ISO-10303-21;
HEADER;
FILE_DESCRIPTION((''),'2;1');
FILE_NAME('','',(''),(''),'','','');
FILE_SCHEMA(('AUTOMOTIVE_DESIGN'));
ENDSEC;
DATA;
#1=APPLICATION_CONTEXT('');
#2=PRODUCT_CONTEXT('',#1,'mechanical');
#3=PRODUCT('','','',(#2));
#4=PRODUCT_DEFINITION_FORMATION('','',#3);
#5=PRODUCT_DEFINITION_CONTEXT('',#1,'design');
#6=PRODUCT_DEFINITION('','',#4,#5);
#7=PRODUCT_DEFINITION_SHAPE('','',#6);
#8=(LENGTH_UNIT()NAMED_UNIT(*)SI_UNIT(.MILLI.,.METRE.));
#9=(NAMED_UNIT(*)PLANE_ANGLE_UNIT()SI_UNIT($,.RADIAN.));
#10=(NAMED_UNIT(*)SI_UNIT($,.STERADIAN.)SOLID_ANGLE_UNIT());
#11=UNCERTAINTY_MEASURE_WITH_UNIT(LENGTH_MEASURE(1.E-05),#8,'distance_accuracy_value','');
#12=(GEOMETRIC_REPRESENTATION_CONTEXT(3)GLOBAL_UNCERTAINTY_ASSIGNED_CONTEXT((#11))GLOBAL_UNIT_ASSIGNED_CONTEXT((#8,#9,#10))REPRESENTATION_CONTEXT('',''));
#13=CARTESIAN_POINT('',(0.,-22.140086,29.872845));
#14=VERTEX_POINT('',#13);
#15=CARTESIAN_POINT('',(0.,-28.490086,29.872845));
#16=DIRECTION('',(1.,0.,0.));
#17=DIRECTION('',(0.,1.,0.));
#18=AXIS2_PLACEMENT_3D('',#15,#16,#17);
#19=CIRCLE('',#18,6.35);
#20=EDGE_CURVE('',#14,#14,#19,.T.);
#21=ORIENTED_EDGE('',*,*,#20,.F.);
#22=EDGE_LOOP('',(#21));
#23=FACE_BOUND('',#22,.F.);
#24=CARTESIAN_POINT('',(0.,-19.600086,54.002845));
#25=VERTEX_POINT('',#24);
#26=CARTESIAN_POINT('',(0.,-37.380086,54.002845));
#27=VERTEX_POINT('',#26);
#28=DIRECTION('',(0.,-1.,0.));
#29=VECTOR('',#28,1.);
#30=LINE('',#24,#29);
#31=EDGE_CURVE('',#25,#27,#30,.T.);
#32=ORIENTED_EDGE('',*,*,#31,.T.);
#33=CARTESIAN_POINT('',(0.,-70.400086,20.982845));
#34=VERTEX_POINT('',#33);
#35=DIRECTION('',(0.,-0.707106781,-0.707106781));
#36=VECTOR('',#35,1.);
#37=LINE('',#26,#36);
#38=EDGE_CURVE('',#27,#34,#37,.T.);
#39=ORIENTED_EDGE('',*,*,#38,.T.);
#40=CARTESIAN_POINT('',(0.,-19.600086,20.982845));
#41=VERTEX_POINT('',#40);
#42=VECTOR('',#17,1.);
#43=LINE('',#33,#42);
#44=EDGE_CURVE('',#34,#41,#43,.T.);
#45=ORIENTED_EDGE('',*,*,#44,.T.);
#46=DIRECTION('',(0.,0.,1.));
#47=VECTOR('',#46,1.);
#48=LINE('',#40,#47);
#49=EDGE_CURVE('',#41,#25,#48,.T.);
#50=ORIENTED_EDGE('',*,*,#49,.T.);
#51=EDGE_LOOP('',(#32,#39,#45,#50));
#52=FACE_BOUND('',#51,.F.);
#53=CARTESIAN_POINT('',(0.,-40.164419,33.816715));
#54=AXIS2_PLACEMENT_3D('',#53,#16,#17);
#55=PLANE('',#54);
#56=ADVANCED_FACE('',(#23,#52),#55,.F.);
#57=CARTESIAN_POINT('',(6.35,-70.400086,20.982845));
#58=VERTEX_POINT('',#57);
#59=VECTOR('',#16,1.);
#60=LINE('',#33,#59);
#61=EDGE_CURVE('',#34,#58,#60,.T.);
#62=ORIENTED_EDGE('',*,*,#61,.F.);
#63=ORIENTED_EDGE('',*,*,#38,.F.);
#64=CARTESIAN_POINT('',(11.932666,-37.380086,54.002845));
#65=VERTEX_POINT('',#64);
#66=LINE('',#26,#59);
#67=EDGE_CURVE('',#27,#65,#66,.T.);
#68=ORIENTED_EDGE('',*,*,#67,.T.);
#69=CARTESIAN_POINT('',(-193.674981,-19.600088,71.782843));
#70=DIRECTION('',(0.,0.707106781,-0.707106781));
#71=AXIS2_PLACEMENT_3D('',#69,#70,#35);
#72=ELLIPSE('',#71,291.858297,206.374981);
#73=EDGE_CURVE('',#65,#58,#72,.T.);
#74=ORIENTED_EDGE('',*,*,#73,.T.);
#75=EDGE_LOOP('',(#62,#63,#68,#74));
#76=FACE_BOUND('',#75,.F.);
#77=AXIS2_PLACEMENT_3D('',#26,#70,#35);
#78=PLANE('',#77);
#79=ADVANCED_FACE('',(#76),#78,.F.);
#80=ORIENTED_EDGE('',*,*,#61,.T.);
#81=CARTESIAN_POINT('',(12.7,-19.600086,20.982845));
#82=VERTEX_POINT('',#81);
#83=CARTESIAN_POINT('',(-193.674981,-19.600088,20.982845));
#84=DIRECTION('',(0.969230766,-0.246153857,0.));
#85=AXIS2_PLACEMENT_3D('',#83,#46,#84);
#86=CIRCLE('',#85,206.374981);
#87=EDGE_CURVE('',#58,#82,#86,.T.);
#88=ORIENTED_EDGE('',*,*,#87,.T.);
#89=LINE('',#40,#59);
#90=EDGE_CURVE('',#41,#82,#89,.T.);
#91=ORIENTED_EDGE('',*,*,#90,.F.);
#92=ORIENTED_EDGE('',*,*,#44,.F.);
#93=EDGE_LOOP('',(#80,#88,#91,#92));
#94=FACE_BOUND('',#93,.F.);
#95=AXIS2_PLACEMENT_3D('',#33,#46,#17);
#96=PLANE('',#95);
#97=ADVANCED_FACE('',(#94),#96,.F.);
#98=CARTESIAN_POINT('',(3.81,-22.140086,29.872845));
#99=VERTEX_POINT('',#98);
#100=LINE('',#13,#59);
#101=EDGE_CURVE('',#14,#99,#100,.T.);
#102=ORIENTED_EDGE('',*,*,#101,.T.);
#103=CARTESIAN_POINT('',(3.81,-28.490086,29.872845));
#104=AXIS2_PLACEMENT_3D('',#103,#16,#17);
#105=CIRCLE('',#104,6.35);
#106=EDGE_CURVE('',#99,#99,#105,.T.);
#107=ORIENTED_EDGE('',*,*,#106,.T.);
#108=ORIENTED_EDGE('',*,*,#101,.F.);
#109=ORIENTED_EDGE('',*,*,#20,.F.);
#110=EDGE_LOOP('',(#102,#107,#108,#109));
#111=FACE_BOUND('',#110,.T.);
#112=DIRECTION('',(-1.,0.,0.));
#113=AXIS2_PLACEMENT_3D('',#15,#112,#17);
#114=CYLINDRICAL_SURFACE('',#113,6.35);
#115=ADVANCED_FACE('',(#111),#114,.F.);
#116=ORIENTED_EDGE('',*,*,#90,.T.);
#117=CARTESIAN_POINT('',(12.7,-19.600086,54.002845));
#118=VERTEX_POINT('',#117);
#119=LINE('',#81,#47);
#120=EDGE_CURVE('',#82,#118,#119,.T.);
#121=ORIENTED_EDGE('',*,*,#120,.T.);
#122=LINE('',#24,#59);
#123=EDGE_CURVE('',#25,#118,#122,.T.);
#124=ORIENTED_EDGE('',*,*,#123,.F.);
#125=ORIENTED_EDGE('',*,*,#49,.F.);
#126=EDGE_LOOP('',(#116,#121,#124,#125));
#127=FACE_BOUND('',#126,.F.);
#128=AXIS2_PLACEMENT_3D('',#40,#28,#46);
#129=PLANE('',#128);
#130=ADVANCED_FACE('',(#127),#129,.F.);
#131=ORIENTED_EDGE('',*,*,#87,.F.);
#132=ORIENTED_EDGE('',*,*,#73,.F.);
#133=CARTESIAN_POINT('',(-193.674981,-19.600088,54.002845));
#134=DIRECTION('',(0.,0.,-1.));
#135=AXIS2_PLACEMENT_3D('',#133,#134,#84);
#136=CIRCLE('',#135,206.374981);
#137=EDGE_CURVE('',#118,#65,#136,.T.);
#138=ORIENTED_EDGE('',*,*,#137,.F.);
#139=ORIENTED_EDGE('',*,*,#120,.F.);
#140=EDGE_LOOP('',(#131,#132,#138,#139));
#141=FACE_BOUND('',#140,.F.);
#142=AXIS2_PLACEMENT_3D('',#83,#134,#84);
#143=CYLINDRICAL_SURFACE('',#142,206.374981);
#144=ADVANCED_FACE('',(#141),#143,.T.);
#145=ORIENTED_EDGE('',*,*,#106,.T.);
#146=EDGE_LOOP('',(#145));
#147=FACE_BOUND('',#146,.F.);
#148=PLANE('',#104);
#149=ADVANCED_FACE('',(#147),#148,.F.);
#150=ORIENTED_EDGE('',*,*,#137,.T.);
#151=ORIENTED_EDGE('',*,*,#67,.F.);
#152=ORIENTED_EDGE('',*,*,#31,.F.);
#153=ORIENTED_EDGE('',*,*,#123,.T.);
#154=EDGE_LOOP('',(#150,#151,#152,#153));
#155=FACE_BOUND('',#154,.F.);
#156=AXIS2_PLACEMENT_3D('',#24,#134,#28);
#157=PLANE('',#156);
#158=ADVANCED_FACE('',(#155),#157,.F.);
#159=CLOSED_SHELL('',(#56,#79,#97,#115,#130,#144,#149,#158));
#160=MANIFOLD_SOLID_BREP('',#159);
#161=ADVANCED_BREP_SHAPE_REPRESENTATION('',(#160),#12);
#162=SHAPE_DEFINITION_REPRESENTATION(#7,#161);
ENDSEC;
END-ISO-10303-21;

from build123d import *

# Parameters (mm, degrees)
F0_R     = 6.35
F1_DEPTH = 12.7
F2_DEPTH = 3.81
F4_DEPTH = 50.8


with BuildPart() as f1:
    # F0 (on Right) → F1 (new body)
    with BuildSketch(Plane.YZ):
        Polygon((-37.380086, 54.002845), (-70.400086, 20.982845), (-19.600086, 20.982845), (-19.600086, 54.002845), align=None)
        with Locations((-28.490086, 29.872845)):
            Circle(F0_R, mode=Mode.SUBTRACT)
        with Locations((-28.490086, 29.872845)):
            Circle(F0_R)
    extrude(amount=F1_DEPTH)

    # F0 (on Right) → F2 (cut)
    with BuildSketch(Plane.YZ):
        with Locations((-28.490086, 29.872845)):
            Circle(F0_R)
    extrude(amount=F2_DEPTH, mode=Mode.SUBTRACT)

    # F3 (on face) → F4 (cut)
    with BuildSketch(Plane(origin=(0, 0, 20.982845), x_dir=(1, 0, 0), z_dir=(0, 0, -1))):
        with BuildLine():
            ThreePointArc((6.35, 70.400086), (11.106347, 45.197754), (12.7, 19.600086))
            Line((12.7, 19.600086), (12.7, 70.400086))
            Line((12.7, 70.400086), (6.35, 70.400086))
        make_face()
    extrude(amount=-F4_DEPTH, mode=Mode.SUBTRACT)


solid = f1.part
